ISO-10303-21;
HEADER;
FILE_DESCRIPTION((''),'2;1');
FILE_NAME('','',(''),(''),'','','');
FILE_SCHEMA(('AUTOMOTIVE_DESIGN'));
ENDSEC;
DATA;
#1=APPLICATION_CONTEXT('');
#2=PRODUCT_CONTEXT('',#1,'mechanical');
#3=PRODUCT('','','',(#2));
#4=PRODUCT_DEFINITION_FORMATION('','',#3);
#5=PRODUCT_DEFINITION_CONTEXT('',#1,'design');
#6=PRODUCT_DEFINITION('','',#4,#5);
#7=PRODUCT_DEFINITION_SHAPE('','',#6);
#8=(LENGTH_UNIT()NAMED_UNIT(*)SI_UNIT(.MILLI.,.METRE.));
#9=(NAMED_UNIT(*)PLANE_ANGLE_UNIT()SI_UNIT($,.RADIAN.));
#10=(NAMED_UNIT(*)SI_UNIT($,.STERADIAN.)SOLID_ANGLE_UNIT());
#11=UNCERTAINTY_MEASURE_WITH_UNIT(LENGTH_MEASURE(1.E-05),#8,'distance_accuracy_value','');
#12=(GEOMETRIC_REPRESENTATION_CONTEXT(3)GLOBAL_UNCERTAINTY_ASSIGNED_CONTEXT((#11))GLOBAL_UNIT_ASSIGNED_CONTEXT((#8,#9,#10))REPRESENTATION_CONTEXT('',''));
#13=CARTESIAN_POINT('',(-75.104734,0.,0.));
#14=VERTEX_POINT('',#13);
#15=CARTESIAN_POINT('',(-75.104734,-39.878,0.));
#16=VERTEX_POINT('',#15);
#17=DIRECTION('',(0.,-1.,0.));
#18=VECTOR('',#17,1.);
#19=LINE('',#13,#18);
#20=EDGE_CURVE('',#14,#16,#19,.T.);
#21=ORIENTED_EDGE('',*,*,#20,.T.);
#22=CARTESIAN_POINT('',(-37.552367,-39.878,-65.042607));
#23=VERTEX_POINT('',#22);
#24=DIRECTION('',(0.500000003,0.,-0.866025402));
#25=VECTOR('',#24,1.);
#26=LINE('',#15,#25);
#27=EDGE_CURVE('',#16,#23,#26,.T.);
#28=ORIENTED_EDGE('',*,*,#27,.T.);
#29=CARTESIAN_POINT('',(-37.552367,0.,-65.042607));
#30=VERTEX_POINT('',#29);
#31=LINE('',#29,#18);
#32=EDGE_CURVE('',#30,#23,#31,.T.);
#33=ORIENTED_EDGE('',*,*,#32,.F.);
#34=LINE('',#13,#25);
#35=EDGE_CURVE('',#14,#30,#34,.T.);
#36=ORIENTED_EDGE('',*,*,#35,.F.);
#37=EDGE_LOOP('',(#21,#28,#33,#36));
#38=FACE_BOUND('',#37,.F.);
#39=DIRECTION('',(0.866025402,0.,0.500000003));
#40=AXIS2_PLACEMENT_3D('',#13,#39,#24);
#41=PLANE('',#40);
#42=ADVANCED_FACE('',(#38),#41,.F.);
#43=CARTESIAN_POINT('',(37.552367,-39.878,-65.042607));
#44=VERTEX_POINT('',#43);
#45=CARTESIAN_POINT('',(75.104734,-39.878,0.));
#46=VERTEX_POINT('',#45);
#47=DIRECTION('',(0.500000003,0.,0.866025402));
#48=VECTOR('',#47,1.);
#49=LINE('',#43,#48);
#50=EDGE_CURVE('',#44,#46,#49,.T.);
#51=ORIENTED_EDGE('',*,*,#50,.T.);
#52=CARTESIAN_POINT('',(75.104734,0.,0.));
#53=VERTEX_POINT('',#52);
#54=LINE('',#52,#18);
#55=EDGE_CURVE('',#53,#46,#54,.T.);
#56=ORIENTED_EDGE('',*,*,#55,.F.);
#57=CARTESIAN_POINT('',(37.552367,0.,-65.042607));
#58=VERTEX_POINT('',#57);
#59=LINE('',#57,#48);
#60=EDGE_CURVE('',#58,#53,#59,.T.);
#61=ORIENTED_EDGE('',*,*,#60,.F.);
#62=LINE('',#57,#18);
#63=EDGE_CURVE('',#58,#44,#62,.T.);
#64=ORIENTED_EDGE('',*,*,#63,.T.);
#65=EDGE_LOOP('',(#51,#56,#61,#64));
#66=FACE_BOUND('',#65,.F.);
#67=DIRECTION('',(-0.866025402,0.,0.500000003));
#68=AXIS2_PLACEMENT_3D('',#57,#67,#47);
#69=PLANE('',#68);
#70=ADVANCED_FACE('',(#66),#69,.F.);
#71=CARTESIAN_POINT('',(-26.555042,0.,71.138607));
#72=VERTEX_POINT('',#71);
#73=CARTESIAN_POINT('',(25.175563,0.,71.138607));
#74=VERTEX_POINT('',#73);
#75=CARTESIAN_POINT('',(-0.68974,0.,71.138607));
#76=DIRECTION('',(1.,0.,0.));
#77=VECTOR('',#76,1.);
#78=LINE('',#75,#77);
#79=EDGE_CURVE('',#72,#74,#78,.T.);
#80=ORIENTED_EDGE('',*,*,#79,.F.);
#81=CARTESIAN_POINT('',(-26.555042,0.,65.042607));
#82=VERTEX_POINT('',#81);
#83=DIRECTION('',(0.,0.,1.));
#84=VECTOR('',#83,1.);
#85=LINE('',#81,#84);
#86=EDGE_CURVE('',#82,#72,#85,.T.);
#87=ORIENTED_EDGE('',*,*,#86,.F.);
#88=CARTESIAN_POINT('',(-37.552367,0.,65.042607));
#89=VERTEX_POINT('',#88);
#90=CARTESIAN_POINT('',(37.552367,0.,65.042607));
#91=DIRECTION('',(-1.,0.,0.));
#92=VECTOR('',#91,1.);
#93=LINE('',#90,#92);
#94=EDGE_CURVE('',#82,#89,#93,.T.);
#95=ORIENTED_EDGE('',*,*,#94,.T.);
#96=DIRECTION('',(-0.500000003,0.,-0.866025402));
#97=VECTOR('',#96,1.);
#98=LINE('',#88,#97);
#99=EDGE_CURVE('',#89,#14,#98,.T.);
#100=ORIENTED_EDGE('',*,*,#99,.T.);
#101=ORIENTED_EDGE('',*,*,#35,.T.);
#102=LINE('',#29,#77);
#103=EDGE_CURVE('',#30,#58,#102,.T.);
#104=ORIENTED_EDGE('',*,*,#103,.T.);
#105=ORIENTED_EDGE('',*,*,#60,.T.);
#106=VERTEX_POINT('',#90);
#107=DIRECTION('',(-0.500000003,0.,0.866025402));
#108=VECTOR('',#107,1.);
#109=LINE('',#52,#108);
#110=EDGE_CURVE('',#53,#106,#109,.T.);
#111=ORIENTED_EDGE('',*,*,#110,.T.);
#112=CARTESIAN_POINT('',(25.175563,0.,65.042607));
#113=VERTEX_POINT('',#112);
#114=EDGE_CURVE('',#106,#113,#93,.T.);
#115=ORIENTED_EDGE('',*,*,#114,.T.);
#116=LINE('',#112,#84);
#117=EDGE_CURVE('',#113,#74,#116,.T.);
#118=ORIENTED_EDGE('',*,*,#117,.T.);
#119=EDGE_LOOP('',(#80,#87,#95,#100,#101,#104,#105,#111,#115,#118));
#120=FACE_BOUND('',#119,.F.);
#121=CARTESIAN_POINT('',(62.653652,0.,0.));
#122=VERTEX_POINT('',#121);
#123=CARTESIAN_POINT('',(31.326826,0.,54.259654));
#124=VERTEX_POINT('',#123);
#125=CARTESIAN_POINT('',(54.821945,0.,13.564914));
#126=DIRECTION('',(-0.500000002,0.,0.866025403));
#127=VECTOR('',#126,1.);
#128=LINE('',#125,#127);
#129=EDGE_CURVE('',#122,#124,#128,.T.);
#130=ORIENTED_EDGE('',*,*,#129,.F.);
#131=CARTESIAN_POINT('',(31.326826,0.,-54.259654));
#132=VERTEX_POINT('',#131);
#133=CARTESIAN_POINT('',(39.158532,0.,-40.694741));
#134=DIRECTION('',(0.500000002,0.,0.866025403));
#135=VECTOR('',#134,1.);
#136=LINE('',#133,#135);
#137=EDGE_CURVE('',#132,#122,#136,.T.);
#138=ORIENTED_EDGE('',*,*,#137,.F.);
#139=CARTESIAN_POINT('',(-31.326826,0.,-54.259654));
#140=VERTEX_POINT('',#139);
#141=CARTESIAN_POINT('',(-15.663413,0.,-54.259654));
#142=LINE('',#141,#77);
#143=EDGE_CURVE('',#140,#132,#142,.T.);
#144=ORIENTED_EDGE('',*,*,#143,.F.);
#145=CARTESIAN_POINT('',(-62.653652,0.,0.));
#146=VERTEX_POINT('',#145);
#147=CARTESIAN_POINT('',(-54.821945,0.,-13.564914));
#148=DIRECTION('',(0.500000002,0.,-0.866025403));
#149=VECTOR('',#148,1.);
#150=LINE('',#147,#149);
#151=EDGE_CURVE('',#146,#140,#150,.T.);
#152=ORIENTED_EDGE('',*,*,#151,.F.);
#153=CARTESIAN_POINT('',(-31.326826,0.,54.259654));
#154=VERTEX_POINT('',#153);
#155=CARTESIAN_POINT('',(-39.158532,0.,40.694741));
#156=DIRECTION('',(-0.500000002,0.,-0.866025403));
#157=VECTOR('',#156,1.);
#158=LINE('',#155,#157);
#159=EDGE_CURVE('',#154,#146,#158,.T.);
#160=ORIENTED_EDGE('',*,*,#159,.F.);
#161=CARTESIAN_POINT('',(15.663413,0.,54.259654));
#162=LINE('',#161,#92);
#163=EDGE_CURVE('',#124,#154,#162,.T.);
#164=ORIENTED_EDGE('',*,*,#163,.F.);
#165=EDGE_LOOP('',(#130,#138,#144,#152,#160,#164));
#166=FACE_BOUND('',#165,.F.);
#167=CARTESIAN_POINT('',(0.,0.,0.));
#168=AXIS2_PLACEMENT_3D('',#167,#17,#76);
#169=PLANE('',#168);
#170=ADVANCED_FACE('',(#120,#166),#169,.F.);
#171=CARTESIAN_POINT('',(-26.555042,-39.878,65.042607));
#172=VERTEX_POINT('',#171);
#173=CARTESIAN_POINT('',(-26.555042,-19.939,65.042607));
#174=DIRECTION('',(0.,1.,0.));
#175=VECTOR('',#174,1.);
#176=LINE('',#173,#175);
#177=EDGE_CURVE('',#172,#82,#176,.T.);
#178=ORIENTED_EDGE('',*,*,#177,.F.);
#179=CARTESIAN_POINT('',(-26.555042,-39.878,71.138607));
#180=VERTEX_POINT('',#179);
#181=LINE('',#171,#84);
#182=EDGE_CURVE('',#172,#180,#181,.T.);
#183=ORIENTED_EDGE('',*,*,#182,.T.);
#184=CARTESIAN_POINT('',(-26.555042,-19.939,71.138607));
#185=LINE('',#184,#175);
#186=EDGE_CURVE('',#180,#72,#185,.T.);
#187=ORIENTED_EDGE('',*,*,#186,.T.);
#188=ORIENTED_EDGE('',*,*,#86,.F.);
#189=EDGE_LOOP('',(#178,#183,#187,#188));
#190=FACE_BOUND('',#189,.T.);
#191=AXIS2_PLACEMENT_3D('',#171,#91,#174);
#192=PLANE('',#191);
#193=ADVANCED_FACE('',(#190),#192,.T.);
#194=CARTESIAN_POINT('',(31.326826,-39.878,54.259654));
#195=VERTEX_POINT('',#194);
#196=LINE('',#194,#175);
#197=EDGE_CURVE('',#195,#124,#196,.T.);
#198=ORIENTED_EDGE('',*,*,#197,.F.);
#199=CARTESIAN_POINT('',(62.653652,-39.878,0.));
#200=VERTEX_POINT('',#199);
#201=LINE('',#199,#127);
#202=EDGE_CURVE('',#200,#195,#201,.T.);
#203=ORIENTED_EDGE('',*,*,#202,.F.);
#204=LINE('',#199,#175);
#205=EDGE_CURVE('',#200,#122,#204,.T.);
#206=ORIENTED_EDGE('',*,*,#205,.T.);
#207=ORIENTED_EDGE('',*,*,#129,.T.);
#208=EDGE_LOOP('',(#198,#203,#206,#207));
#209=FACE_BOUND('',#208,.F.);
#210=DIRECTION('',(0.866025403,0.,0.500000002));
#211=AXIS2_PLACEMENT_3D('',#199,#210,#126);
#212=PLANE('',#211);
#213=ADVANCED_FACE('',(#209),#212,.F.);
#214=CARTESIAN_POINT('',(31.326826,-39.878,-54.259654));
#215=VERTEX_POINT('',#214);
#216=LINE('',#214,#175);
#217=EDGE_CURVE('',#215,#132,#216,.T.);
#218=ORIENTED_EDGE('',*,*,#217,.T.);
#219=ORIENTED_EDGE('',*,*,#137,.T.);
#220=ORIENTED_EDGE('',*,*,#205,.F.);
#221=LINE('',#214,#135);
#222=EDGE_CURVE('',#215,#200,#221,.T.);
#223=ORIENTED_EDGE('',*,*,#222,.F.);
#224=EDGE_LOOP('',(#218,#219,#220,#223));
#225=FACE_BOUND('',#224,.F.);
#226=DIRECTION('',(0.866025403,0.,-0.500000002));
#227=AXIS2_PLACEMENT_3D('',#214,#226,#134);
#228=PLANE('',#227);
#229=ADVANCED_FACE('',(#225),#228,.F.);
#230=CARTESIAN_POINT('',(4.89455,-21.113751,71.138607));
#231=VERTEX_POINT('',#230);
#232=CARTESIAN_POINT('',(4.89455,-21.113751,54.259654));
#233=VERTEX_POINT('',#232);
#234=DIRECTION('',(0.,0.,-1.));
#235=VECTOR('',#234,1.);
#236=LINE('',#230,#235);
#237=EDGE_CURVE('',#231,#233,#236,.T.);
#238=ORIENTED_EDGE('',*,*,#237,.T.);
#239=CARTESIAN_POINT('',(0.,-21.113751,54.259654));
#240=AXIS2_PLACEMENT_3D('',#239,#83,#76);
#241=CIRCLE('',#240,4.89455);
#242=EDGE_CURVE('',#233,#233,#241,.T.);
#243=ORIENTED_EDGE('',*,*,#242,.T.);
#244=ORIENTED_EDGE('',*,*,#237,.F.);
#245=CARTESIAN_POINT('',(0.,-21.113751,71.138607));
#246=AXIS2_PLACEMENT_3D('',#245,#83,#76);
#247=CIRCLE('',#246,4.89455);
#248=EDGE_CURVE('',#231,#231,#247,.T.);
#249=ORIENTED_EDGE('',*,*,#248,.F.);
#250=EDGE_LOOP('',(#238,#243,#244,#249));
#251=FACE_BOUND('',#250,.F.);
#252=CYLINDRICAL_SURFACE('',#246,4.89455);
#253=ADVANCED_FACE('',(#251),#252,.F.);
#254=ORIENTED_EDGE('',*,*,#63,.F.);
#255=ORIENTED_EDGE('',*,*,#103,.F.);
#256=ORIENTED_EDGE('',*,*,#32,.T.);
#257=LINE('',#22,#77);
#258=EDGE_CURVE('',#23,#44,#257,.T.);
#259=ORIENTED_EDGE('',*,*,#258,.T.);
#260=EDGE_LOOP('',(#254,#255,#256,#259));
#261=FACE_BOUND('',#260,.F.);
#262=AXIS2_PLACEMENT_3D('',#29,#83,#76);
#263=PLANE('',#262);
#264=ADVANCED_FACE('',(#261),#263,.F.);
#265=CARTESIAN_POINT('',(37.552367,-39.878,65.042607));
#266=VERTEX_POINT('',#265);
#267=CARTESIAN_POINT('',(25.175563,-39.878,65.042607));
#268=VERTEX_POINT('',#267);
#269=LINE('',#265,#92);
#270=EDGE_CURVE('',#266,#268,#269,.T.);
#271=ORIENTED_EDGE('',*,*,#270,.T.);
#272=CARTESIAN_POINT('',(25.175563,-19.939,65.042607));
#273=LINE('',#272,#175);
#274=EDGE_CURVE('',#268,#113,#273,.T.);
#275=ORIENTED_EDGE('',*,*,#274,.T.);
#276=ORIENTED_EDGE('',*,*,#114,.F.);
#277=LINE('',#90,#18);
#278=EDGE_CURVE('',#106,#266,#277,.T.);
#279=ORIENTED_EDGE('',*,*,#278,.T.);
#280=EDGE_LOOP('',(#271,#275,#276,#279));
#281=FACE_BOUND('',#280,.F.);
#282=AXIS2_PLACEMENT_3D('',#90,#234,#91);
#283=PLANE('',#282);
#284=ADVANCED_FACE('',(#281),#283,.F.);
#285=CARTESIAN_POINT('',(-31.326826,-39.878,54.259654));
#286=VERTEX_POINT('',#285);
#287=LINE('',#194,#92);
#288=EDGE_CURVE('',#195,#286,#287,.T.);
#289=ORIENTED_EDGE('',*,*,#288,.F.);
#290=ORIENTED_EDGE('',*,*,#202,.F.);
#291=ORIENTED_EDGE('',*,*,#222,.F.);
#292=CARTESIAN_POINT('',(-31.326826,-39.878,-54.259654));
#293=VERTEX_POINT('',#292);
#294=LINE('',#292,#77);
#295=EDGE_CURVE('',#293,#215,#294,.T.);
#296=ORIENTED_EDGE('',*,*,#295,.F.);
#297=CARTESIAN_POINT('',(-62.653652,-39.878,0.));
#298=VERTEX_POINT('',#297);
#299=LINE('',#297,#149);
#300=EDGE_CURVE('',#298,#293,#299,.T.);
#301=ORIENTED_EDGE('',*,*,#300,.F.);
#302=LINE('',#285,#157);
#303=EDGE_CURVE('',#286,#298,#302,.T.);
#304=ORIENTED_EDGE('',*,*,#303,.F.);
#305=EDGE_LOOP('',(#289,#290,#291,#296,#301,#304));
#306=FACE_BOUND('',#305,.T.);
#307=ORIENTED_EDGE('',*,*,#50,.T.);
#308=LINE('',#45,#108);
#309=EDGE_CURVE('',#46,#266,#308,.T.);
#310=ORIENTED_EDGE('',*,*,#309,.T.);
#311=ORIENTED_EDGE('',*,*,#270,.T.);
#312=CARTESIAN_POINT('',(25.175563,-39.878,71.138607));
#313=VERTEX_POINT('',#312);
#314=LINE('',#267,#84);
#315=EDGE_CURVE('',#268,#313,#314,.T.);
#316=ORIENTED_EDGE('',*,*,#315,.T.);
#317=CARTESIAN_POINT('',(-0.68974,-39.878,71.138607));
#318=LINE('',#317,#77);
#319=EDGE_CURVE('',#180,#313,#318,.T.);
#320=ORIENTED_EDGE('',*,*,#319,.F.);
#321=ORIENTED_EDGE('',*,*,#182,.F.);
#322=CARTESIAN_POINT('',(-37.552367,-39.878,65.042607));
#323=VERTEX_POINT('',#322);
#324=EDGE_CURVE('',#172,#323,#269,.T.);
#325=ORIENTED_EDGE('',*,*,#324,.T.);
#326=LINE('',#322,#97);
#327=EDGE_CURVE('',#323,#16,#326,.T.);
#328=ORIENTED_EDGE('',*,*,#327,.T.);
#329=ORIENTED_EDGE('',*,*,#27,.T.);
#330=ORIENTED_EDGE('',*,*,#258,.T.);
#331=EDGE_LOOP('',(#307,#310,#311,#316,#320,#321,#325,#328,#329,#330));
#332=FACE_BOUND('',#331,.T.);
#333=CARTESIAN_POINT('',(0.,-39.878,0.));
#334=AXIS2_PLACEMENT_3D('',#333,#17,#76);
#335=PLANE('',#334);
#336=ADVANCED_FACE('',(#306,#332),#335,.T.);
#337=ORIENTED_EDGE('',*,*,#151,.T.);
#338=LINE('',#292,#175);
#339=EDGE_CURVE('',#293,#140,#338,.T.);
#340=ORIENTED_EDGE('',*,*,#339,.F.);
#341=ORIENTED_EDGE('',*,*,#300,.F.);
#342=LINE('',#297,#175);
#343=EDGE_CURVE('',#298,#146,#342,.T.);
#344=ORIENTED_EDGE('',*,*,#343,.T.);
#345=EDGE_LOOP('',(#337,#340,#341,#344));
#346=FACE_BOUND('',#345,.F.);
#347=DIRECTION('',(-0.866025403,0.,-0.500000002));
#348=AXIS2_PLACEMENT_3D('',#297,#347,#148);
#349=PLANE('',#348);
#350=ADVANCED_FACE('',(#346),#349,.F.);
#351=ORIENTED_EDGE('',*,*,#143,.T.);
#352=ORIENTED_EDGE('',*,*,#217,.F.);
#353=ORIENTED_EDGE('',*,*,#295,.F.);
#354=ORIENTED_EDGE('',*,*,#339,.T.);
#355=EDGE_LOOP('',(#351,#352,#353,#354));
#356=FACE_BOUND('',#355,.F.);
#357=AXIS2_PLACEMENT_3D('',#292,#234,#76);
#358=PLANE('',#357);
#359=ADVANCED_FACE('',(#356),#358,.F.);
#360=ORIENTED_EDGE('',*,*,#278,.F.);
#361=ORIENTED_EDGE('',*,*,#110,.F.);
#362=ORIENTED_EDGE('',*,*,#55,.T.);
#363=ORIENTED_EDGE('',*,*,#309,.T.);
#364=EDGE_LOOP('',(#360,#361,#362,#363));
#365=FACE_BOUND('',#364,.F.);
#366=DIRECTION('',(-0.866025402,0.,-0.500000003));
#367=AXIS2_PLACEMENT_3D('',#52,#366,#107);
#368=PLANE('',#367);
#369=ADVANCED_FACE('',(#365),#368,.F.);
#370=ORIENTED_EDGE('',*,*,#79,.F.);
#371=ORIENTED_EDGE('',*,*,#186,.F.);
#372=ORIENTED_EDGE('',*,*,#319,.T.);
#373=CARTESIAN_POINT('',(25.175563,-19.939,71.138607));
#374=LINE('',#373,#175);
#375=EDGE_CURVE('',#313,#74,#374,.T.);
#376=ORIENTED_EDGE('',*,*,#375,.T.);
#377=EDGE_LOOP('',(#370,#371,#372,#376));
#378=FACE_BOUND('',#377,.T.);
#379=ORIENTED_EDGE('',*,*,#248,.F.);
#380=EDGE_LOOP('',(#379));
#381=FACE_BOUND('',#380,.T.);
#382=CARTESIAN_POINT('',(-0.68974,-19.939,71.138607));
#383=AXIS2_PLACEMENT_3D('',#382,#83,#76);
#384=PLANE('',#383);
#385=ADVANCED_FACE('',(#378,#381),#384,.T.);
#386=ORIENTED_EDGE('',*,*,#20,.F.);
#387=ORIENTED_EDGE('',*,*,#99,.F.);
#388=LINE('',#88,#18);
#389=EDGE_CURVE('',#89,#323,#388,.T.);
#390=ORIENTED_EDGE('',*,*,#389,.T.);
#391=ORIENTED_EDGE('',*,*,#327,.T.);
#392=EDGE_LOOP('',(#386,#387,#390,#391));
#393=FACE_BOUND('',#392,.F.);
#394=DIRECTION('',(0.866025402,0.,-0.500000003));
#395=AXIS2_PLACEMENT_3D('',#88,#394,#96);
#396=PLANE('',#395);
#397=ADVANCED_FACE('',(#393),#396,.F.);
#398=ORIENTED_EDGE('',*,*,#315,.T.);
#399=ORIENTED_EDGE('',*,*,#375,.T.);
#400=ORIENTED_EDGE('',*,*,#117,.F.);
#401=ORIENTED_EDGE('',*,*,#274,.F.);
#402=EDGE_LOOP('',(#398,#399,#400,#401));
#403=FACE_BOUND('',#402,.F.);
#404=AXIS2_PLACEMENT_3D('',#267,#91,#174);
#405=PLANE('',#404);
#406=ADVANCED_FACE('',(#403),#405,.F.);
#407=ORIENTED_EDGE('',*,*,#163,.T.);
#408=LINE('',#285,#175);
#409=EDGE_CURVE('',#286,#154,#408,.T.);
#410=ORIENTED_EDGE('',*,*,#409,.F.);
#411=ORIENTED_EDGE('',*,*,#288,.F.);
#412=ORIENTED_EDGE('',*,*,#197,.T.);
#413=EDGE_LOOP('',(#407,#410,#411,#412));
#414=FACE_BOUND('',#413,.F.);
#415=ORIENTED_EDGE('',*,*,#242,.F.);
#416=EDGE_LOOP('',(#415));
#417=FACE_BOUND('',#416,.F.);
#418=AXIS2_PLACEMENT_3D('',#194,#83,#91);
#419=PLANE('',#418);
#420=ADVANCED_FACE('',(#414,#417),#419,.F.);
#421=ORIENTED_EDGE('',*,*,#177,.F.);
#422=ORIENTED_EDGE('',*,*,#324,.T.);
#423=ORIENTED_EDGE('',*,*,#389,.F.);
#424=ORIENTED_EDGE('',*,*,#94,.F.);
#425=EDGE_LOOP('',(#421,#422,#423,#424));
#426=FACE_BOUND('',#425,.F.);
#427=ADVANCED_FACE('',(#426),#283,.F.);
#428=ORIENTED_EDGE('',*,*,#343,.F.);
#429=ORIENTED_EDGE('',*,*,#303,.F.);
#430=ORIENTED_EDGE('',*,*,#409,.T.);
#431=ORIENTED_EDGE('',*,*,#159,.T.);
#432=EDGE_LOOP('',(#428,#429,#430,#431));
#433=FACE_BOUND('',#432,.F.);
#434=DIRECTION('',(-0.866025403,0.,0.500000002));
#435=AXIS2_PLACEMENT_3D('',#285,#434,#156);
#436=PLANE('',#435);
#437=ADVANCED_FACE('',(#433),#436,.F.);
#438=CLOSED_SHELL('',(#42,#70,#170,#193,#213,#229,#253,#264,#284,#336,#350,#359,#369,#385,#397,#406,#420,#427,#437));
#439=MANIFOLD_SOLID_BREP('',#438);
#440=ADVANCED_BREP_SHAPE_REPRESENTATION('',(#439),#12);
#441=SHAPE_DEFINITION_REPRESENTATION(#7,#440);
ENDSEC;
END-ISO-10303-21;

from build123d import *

# Parameters (mm, degrees)
F1_DEPTH = 39.878
F3_DEPTH = 58.42
F4_W     = 51.730605
F4_H     = 39.878
F5_DEPTH = 6.096
F6_R     = 4.89455
F7_DEPTH = 25.4


with BuildPart() as f1:
    # F0 (on Front) → F1 (new body)
    with BuildSketch(Plane.XZ):
        Polygon((37.552367, 65.042607), (-37.552367, 65.042607), (-75.104734, 0), (-37.552367, -65.042607), (37.552367, -65.042607), (75.104734, 0), align=None)
    extrude(amount=F1_DEPTH)

    # F2 (on face) → F3 (cut)
    with BuildSketch(Plane.XZ.offset(39.878)):
        Polygon((31.326826, 54.259654), (-31.326826, 54.259654), (-62.653652, 0), (-31.326826, -54.259654), (31.326826, -54.259654), (62.653652, 0), align=None)
    extrude(amount=-F3_DEPTH, mode=Mode.SUBTRACT)

    # F4 (on face) → F5 (join)
    with BuildSketch(Plane.XY.offset(65.042607)):
        with Locations((-0.68974, -19.939)):
            Rectangle(F4_W, F4_H)
    extrude(amount=F5_DEPTH)

    # F6 (on face) → F7 (cut)
    with BuildSketch(Plane.XY.offset(71.138607)):
        with Locations((0, -21.113751)):
            Circle(F6_R)
    extrude(amount=-F7_DEPTH, mode=Mode.SUBTRACT)


solid = f1.part
